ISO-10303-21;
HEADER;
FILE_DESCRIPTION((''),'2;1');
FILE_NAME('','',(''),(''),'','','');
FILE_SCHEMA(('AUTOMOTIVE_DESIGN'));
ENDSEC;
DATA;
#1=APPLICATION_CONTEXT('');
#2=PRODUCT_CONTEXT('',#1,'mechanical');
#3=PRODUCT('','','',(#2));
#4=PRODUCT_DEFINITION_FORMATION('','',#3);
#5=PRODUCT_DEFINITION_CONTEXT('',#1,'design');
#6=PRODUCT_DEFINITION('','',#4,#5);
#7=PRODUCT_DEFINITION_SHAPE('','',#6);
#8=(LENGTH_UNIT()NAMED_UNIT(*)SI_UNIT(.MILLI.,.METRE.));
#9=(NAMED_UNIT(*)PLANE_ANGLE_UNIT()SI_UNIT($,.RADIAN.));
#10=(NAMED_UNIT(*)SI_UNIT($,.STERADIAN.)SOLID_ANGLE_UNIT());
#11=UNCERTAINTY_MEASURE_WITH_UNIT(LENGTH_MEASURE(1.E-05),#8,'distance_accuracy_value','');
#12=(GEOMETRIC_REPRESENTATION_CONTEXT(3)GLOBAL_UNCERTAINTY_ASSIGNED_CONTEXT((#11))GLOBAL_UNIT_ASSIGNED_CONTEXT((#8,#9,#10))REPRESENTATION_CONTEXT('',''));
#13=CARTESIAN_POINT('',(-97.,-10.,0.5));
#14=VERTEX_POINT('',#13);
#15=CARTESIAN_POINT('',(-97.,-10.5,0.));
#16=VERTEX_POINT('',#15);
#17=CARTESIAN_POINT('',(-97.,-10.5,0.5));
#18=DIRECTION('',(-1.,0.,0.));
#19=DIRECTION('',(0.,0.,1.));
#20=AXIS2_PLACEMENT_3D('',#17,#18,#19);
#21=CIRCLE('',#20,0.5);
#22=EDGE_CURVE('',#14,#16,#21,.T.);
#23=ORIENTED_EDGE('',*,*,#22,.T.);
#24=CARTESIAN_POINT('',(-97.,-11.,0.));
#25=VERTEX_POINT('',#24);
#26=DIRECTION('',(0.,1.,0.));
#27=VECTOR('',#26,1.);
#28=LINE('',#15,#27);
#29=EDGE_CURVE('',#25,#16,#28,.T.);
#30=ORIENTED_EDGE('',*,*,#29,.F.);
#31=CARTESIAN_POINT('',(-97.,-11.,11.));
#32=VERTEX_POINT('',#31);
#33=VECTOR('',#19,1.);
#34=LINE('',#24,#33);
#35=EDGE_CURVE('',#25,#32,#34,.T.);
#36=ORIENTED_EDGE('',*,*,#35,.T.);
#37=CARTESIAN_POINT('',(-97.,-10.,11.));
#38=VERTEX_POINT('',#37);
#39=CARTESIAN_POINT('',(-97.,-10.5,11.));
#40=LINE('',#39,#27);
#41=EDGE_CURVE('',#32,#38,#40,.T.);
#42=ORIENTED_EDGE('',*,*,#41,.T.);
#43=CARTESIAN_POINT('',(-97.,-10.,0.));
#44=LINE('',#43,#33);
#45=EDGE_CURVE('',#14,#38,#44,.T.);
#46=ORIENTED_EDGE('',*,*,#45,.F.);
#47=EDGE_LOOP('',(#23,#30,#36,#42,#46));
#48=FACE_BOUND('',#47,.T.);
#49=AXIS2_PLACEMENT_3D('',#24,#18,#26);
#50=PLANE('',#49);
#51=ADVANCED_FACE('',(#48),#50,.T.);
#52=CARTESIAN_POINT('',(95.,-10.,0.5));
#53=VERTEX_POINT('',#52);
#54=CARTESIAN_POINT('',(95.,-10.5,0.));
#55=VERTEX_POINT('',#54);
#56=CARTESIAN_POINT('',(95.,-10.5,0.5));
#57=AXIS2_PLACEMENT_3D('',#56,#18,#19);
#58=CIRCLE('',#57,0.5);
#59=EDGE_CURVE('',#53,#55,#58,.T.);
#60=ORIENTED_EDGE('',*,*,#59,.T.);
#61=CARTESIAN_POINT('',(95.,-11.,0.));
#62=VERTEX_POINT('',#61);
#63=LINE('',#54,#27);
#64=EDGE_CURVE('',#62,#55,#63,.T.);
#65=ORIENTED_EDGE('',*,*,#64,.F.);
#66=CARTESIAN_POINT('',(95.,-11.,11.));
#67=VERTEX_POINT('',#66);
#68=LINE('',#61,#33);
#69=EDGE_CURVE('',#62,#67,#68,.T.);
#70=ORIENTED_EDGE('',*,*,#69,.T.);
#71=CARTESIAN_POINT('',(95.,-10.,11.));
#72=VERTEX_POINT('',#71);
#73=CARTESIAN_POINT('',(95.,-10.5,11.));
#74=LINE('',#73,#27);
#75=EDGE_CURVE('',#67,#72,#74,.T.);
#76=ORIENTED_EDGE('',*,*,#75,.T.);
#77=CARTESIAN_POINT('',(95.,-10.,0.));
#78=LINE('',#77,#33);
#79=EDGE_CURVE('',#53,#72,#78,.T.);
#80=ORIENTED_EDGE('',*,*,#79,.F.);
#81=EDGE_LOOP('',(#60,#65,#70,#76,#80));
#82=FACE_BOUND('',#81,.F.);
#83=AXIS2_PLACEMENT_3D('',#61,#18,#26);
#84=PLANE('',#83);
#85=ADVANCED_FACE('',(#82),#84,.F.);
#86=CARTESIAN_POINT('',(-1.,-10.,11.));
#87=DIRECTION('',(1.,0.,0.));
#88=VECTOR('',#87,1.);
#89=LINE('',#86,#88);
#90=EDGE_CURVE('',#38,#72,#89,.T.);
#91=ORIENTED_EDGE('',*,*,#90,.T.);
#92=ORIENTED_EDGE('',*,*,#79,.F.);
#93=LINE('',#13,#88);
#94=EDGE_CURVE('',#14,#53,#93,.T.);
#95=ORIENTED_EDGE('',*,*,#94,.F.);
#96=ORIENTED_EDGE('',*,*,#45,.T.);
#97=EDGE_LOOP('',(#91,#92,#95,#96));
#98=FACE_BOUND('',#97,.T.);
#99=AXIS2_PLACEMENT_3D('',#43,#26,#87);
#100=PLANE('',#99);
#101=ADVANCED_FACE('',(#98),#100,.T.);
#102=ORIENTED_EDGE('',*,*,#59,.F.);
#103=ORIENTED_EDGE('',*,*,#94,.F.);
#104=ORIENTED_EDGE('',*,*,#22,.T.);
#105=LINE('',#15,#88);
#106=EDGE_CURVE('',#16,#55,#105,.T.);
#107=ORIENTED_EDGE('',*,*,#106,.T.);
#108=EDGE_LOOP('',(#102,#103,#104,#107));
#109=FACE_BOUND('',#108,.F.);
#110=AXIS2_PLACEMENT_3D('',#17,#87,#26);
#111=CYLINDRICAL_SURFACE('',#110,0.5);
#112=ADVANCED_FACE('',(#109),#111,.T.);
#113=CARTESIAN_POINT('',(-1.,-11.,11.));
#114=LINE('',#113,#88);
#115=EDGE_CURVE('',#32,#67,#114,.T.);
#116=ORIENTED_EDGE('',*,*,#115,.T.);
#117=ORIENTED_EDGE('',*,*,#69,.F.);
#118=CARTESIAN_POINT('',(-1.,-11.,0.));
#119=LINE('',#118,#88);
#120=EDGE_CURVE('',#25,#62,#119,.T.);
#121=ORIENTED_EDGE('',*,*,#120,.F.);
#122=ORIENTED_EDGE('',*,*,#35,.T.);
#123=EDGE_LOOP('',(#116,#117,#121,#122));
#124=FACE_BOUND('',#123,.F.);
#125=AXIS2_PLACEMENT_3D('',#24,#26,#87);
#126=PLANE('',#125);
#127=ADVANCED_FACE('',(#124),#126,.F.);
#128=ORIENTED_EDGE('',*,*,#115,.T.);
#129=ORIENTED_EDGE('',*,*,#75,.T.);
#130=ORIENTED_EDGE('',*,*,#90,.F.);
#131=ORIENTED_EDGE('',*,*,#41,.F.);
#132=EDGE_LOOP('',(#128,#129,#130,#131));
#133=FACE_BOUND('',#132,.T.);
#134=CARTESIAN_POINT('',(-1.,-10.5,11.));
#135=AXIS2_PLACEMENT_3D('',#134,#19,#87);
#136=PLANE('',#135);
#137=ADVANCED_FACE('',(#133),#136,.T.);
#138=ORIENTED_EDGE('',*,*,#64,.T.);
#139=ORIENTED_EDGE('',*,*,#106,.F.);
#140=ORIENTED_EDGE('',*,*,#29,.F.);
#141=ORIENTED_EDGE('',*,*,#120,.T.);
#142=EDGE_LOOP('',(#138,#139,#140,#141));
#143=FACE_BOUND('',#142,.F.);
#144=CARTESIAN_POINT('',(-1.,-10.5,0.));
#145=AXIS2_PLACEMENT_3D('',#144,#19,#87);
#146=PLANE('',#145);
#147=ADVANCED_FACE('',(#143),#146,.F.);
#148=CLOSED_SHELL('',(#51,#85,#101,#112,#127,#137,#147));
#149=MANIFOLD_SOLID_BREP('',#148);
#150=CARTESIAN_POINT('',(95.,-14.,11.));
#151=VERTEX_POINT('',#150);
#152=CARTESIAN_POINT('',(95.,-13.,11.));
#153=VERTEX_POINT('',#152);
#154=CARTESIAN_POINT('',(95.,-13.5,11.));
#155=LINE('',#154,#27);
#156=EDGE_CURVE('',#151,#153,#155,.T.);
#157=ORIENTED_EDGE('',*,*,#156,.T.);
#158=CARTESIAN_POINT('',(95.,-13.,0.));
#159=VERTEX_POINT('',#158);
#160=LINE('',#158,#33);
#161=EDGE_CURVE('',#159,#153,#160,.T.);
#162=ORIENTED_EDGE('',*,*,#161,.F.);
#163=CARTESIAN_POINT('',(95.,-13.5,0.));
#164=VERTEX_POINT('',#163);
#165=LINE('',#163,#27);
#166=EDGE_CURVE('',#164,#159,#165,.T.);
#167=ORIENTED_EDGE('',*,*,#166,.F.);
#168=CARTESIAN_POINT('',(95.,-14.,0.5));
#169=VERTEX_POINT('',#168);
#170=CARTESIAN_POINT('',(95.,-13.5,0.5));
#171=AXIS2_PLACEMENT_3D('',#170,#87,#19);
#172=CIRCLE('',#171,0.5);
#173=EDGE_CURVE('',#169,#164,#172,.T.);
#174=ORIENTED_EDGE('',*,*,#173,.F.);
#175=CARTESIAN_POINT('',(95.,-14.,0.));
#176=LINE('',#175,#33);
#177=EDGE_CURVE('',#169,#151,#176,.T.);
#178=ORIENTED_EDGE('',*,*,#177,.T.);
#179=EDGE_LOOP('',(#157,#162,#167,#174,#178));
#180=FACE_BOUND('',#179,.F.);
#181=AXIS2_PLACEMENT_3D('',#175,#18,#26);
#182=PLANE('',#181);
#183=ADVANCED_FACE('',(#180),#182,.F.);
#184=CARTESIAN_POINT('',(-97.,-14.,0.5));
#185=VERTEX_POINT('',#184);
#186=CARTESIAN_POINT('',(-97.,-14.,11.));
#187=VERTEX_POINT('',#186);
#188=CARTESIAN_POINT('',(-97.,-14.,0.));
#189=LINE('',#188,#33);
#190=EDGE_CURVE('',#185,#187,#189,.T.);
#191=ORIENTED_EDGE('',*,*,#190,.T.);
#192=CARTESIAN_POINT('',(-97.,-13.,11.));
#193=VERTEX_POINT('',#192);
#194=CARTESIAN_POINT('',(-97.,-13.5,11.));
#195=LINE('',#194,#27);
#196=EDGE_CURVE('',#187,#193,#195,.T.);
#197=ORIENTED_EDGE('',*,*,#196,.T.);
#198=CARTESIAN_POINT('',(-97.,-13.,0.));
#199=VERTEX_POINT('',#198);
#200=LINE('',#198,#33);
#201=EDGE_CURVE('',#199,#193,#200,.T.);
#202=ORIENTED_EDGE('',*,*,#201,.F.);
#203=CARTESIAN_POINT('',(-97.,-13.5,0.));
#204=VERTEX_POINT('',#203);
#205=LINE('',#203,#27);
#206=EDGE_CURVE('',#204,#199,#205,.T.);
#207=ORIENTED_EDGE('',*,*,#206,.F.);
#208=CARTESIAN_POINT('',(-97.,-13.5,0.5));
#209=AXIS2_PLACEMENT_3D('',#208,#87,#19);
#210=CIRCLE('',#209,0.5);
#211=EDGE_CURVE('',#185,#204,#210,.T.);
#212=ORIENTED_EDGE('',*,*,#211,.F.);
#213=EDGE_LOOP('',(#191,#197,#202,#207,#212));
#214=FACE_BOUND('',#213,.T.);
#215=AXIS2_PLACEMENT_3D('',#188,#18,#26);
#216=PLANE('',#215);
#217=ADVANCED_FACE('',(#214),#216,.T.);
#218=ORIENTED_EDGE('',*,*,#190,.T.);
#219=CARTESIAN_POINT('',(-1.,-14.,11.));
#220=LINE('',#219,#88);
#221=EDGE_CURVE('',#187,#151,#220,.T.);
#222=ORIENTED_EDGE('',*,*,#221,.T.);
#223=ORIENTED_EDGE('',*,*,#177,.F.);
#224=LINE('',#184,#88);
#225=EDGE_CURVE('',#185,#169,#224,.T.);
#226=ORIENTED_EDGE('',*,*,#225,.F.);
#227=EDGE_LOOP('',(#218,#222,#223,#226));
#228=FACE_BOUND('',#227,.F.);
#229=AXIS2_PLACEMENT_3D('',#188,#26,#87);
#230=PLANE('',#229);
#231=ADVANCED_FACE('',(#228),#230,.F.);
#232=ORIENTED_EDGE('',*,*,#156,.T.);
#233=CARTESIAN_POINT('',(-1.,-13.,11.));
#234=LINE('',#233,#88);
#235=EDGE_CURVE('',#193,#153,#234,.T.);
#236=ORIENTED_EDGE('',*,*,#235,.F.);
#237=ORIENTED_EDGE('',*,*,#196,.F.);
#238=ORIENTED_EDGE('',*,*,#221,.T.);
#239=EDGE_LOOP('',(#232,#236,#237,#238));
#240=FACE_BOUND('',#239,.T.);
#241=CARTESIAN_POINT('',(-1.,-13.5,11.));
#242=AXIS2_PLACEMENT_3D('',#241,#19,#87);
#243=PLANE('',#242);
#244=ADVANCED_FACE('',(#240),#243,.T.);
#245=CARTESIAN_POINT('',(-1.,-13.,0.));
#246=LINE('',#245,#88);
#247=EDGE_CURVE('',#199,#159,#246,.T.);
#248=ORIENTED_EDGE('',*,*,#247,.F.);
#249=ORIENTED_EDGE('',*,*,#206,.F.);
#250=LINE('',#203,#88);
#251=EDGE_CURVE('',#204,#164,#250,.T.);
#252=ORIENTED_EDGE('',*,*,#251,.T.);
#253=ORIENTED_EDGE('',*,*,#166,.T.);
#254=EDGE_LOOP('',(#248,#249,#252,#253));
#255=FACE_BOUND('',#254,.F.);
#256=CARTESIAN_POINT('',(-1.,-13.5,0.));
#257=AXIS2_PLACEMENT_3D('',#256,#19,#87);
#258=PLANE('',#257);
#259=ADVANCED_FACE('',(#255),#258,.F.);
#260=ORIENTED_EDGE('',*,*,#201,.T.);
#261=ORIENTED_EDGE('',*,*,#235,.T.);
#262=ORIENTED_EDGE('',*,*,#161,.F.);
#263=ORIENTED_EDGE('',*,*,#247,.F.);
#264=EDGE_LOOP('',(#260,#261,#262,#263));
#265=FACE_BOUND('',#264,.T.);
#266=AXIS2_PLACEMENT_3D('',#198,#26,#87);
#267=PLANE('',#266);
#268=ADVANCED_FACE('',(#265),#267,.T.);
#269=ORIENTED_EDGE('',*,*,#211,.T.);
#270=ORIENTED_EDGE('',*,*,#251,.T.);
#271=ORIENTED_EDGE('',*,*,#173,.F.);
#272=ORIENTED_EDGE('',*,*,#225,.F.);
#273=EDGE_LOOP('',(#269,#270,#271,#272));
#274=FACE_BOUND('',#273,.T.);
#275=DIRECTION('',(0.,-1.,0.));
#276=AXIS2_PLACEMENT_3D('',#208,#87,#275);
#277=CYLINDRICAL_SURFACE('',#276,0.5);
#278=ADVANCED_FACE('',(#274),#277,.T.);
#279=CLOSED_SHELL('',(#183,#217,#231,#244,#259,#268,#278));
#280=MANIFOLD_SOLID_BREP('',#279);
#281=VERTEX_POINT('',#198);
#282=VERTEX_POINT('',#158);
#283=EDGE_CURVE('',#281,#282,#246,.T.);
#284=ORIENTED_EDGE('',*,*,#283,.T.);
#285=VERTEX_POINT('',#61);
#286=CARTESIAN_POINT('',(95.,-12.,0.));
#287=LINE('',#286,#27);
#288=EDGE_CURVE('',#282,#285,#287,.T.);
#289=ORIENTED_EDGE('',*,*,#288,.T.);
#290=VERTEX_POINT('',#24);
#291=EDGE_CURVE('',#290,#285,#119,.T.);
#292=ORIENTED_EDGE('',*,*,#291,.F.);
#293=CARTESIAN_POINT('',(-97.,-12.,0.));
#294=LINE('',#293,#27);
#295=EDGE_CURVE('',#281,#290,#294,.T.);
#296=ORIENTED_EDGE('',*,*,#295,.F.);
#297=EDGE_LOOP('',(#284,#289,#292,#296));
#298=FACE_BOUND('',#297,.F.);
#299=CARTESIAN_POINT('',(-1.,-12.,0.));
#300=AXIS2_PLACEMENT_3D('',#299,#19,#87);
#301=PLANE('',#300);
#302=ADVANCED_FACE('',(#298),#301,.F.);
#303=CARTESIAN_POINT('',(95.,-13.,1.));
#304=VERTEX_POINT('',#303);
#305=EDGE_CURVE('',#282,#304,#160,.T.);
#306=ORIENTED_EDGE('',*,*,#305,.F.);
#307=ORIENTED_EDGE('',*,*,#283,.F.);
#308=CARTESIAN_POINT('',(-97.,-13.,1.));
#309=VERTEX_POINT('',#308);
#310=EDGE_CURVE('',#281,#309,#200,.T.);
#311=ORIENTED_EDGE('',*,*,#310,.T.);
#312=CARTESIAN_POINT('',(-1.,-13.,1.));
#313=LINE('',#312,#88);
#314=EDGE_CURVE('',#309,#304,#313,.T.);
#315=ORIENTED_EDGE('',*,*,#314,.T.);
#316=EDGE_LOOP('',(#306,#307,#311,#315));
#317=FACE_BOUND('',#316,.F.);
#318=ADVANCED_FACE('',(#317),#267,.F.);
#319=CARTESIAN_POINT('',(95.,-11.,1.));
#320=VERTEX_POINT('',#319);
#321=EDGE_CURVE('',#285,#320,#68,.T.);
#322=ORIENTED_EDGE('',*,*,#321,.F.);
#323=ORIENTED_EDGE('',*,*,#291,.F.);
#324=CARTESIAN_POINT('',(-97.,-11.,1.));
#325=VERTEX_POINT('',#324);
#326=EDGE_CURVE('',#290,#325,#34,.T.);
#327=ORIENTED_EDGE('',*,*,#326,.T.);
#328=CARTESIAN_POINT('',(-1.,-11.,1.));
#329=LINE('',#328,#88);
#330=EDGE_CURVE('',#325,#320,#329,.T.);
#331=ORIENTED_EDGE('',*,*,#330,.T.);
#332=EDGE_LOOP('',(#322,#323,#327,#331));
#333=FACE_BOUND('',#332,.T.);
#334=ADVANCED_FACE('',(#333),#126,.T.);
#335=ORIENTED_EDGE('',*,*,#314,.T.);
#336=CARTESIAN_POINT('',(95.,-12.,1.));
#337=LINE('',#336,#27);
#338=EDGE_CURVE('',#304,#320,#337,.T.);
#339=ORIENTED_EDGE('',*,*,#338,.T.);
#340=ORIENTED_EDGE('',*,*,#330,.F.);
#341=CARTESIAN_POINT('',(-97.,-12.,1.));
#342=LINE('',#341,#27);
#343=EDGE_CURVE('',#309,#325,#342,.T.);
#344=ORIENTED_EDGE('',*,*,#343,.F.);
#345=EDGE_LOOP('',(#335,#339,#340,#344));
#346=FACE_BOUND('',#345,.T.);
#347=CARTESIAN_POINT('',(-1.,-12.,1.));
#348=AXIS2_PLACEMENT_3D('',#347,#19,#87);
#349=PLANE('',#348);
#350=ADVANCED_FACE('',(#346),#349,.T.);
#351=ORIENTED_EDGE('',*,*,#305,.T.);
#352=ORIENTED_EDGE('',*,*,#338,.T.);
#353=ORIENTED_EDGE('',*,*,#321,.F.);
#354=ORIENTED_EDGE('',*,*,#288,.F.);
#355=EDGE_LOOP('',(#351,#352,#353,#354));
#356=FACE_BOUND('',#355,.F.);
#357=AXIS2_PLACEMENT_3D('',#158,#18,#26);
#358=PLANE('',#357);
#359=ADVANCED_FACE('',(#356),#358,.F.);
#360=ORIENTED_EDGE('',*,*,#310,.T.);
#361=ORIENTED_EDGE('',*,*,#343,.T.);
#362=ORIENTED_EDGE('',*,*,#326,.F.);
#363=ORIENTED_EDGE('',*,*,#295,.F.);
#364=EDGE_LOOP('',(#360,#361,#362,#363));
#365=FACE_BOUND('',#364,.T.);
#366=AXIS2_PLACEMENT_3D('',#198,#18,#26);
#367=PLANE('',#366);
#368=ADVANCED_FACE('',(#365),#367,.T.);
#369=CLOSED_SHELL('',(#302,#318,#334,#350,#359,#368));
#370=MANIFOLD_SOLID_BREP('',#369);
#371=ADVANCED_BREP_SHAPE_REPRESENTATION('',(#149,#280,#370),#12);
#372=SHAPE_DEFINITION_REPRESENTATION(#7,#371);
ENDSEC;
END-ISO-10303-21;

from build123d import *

# Parameters (mm, degrees)
F0_W     = 192
F0_H     = 1
F1_DEPTH = 11
F0_H_2   = 2
F2_DEPTH = 1
F3_R     = 0.5


with BuildPart() as f1:
    # F0 (on Top) → F1 (new body)
    with BuildSketch(Plane.XY):
        with Locations((-1, -10.5)):
            Rectangle(F0_W, F0_H)
        with Locations((-1, -13.5)):
            Rectangle(F0_W, F0_H)
    extrude(amount=F1_DEPTH)

    # F3
    f3_edges = [f1.edges().sort_by_distance(p)[0] for p in [
        (-1, -14, 0),
        (-1, -10, 0),
    ]]
    fillet(f3_edges, radius=F3_R)


with BuildPart() as f2:
    # F0 (on Top) → F2 (new body)
    with BuildSketch(Plane.XY):
        with Locations((-1, -12)):
            Rectangle(F0_W, F0_H_2)
    extrude(amount=F2_DEPTH)


solid = Compound([f1.part, f2.part])
